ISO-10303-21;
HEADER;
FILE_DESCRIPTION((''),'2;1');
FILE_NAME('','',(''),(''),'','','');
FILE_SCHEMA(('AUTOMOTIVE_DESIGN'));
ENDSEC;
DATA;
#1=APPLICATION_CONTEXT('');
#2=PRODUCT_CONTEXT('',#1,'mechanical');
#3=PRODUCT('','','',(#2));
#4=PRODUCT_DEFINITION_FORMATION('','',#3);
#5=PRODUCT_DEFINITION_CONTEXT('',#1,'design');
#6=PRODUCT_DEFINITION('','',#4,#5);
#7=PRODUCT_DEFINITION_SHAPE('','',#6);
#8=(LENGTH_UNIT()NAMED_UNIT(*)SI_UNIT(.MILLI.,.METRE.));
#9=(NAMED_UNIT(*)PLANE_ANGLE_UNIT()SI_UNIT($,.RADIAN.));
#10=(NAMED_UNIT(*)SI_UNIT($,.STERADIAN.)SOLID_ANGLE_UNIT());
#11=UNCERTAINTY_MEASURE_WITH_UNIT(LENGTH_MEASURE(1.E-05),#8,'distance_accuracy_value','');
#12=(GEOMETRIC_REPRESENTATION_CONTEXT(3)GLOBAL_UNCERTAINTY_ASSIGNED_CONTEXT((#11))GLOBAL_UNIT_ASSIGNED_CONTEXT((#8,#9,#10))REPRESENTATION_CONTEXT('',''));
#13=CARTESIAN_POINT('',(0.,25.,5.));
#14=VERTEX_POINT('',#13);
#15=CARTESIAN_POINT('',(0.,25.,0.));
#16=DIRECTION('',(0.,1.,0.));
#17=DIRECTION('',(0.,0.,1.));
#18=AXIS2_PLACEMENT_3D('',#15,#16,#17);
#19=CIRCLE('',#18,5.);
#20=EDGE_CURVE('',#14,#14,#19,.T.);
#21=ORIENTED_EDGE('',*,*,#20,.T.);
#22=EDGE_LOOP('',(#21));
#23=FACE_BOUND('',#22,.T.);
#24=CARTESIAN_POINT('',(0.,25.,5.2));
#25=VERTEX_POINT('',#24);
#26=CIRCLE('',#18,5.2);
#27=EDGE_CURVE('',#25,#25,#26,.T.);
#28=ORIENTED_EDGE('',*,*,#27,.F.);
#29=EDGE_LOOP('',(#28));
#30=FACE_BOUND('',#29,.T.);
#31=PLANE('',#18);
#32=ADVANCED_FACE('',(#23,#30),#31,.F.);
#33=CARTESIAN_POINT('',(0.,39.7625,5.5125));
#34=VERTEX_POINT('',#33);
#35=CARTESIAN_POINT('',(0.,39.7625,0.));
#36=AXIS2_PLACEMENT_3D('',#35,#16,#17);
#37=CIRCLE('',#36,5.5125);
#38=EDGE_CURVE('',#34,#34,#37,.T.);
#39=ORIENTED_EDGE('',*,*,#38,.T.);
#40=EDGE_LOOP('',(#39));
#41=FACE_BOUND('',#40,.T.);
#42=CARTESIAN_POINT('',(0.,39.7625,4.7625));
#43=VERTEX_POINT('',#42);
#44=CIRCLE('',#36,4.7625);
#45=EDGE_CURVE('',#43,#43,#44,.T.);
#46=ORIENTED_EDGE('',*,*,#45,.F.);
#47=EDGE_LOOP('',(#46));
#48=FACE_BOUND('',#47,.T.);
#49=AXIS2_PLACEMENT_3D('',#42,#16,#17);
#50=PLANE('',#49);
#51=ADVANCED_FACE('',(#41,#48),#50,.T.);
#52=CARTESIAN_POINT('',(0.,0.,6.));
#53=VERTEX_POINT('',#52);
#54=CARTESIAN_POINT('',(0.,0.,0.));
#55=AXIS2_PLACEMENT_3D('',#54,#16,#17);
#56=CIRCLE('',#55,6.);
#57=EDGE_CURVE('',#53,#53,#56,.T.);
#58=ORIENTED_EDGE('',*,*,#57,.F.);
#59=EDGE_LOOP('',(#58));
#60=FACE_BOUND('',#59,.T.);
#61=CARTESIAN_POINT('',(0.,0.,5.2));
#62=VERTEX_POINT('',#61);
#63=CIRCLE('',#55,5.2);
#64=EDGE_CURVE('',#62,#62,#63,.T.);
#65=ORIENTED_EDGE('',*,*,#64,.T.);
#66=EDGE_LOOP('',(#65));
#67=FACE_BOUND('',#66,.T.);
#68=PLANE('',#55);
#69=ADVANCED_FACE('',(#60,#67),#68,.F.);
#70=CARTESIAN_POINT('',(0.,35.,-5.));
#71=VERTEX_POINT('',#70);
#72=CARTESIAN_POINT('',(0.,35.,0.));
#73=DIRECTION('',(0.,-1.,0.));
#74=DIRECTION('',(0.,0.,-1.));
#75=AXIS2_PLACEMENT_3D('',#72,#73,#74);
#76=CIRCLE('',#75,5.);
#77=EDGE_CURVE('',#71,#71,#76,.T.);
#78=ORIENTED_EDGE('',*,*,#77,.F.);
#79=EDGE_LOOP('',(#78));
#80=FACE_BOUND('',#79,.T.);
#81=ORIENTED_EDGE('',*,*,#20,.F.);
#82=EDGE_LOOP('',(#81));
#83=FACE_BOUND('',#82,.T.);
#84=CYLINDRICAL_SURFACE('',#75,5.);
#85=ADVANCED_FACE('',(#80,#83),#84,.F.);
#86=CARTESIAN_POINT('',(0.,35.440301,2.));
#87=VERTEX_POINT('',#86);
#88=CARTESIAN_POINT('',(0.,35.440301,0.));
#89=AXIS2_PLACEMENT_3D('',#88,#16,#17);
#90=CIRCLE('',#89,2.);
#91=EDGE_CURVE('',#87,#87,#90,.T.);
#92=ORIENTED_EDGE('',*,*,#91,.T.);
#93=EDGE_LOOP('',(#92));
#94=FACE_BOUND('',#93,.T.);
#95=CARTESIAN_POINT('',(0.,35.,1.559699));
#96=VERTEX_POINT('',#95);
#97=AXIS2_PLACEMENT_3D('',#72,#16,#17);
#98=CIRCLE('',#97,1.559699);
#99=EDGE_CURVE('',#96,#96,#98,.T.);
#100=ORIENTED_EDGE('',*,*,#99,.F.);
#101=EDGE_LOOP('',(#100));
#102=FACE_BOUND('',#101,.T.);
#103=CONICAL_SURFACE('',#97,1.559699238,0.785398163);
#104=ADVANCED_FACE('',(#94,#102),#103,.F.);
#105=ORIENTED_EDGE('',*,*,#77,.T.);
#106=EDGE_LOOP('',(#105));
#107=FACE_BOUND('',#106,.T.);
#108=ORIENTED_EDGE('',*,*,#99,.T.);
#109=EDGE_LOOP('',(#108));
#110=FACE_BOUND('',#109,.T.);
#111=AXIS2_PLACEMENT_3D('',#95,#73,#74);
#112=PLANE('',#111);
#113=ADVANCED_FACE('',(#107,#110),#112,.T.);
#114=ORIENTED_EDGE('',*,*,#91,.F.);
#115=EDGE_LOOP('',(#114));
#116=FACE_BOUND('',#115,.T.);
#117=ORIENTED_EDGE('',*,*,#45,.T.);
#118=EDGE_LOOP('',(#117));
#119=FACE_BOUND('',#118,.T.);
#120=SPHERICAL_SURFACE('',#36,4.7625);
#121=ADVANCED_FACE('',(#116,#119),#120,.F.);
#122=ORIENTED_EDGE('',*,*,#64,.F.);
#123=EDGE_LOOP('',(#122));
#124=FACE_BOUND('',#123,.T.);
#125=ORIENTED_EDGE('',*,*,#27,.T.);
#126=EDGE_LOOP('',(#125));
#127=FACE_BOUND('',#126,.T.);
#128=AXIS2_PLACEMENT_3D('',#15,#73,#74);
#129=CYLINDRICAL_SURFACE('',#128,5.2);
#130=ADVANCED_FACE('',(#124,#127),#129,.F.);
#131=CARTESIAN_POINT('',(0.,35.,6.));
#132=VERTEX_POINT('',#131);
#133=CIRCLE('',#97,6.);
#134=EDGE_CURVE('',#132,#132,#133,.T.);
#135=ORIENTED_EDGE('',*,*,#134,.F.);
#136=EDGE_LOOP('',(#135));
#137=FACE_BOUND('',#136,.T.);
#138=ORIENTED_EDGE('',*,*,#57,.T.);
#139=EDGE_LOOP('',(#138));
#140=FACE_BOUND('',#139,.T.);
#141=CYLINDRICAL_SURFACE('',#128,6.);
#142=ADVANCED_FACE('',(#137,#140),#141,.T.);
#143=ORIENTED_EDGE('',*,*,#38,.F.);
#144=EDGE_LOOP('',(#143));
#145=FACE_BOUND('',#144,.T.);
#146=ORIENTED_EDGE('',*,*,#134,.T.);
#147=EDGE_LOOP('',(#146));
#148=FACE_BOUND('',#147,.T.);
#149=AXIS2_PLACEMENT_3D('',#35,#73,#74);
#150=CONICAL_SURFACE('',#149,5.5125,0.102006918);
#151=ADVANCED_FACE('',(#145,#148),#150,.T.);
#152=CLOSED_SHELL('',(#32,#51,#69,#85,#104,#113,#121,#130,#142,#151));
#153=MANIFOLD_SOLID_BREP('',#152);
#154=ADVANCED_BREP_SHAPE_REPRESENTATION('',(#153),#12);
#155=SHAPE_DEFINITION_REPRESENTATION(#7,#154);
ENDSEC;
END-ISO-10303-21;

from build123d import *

# Parameters (mm, degrees)
SKETCH1_R           = 6
SKETCH1_R_2         = 5.2
BOSS_EXTRUDE1_DEPTH = 25
SKETCH2_R           = 6
SKETCH2_R_2         = 5
BOSS_EXTRUDE2_DEPTH = 10


with BuildPart() as part:
    # Sketch1 → Boss-Extrude1 (new body)
    with BuildSketch(Plane(origin=(0, 0, 0), x_dir=(1, 0, 0), z_dir=(0, 1, 0))):
        Circle(SKETCH1_R)
        Circle(SKETCH1_R_2, mode=Mode.SUBTRACT)
    extrude(amount=BOSS_EXTRUDE1_DEPTH)

    # Sketch2 → Boss-Extrude2 (add)
    with BuildSketch(Plane(origin=(0, 25, 0), x_dir=(1, 0, 0), z_dir=(0, 1, 0))):
        Circle(SKETCH2_R)
        Circle(SKETCH2_R_2, mode=Mode.SUBTRACT)
    extrude(amount=BOSS_EXTRUDE2_DEPTH)

    # Sketch3 → Revolve2 (revolve)
    with BuildSketch(Plane(origin=(0, 0, 0), x_dir=(0, 0, -1), z_dir=(1, 0, 0))):
        with BuildLine():
            Line((-6, 35), (-2, 35))
            Line((-2, 35), (-1.559699238, 35))
            Line((-1.559699238, 35), (-2, 35.440300762))
            ThreePointArc((-2, 35.440300762), (-4.012879655, 37.197699204), (-4.7625, 39.7625))
            Line((-4.7625, 39.7625), (-5.5125, 39.7625))
            Line((-5.5125, 39.7625), (-6, 35))
        make_face()
    revolve(axis=Axis((0, 33.973403882, 0), (0, -1, 0)))


solid = part.part
